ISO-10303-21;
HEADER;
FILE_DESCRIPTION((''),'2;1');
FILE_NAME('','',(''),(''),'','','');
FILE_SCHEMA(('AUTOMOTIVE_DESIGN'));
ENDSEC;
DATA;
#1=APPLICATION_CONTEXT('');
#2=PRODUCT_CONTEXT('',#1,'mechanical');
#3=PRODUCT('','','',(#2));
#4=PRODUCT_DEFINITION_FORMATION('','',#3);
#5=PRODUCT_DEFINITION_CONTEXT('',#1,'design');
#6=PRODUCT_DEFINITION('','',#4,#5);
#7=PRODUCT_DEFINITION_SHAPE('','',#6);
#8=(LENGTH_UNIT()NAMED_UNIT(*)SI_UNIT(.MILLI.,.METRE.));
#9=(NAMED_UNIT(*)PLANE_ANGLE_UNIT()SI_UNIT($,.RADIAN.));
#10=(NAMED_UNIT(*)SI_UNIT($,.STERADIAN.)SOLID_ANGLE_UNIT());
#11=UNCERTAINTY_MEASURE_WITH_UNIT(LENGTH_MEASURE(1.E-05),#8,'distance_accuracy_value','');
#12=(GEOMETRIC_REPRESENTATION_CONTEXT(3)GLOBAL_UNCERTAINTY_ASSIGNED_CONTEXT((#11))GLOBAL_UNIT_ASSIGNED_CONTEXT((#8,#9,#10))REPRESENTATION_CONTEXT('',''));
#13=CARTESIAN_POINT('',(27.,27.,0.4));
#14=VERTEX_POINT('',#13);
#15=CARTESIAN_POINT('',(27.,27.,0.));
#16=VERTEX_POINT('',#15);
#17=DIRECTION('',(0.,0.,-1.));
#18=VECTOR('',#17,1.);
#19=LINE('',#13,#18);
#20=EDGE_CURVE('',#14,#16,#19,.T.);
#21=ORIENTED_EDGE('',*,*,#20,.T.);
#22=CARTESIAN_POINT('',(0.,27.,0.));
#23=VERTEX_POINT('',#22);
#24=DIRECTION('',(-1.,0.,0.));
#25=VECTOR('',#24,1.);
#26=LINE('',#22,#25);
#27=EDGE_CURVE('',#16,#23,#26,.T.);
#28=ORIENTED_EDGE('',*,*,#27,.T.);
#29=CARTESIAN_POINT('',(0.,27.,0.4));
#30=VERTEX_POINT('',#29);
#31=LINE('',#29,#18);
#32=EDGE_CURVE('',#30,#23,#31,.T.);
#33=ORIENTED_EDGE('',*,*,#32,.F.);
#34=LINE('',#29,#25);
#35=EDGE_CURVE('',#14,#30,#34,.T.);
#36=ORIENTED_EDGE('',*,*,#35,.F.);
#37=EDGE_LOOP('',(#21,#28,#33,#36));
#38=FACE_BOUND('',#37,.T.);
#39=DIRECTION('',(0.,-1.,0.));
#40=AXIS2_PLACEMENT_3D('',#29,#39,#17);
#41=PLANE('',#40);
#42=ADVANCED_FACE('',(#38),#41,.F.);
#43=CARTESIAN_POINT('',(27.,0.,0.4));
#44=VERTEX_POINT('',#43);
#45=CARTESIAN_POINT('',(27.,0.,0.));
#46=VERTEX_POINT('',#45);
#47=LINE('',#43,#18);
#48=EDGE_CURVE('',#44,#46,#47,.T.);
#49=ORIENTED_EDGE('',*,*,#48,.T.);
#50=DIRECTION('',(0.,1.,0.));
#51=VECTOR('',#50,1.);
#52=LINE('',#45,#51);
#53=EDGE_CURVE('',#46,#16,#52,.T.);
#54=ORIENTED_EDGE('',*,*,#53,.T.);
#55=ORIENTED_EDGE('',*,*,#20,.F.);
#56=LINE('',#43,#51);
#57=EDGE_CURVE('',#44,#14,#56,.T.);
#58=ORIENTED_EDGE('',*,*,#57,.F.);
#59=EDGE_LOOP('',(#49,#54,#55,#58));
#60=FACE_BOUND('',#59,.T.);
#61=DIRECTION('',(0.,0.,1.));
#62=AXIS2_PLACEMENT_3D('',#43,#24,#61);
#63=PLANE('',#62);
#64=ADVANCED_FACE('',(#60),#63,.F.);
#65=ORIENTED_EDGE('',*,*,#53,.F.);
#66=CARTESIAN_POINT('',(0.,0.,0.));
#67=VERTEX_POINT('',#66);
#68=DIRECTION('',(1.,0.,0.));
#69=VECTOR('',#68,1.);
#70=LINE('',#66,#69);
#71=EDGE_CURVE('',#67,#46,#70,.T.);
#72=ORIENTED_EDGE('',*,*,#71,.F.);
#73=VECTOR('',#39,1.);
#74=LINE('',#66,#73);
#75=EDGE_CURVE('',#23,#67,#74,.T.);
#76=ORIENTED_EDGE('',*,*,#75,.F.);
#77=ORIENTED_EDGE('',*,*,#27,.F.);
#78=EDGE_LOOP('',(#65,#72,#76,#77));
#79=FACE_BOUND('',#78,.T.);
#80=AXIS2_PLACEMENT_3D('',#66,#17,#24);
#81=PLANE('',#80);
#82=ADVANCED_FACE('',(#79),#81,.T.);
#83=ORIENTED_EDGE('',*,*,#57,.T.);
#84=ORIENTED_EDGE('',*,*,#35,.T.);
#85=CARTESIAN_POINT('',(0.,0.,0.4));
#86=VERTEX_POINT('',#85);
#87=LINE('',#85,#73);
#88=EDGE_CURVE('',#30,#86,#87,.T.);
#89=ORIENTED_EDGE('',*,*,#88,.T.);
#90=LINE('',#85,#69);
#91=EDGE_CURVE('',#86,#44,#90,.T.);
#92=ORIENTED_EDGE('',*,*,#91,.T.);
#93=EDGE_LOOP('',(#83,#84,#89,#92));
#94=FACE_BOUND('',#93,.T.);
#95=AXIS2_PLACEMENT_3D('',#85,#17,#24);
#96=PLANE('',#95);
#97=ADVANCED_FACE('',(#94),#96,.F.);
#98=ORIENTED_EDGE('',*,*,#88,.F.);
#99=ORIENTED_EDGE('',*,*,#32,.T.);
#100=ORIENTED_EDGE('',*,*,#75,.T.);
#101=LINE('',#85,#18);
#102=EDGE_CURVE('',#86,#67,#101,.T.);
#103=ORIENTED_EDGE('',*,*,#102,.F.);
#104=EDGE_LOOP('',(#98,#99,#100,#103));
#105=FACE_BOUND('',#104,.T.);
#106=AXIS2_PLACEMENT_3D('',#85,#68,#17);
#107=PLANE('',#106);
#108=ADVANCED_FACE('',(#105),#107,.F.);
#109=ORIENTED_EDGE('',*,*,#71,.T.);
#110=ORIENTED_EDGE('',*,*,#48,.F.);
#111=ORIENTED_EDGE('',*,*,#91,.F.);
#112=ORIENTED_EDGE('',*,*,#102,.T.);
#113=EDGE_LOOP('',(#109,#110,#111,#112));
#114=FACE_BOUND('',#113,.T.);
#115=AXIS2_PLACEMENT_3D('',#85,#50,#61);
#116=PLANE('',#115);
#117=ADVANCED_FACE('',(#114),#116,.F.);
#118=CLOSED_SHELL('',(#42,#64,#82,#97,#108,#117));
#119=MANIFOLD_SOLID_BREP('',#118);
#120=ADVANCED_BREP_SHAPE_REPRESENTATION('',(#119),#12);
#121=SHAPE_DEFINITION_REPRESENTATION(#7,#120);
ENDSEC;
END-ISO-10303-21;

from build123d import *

# Parameters (mm, degrees)
SKETCH1_W     = 27
SKETCH1_H     = 27
PROFILE_DEPTH = 0.4


with BuildPart() as part:
    # Sketch1 → Profile (new body)
    with BuildSketch(Plane.XY):
        with Locations((13.5, 13.5)):
            Rectangle(SKETCH1_W, SKETCH1_H)
    extrude(amount=PROFILE_DEPTH)


solid = part.part
